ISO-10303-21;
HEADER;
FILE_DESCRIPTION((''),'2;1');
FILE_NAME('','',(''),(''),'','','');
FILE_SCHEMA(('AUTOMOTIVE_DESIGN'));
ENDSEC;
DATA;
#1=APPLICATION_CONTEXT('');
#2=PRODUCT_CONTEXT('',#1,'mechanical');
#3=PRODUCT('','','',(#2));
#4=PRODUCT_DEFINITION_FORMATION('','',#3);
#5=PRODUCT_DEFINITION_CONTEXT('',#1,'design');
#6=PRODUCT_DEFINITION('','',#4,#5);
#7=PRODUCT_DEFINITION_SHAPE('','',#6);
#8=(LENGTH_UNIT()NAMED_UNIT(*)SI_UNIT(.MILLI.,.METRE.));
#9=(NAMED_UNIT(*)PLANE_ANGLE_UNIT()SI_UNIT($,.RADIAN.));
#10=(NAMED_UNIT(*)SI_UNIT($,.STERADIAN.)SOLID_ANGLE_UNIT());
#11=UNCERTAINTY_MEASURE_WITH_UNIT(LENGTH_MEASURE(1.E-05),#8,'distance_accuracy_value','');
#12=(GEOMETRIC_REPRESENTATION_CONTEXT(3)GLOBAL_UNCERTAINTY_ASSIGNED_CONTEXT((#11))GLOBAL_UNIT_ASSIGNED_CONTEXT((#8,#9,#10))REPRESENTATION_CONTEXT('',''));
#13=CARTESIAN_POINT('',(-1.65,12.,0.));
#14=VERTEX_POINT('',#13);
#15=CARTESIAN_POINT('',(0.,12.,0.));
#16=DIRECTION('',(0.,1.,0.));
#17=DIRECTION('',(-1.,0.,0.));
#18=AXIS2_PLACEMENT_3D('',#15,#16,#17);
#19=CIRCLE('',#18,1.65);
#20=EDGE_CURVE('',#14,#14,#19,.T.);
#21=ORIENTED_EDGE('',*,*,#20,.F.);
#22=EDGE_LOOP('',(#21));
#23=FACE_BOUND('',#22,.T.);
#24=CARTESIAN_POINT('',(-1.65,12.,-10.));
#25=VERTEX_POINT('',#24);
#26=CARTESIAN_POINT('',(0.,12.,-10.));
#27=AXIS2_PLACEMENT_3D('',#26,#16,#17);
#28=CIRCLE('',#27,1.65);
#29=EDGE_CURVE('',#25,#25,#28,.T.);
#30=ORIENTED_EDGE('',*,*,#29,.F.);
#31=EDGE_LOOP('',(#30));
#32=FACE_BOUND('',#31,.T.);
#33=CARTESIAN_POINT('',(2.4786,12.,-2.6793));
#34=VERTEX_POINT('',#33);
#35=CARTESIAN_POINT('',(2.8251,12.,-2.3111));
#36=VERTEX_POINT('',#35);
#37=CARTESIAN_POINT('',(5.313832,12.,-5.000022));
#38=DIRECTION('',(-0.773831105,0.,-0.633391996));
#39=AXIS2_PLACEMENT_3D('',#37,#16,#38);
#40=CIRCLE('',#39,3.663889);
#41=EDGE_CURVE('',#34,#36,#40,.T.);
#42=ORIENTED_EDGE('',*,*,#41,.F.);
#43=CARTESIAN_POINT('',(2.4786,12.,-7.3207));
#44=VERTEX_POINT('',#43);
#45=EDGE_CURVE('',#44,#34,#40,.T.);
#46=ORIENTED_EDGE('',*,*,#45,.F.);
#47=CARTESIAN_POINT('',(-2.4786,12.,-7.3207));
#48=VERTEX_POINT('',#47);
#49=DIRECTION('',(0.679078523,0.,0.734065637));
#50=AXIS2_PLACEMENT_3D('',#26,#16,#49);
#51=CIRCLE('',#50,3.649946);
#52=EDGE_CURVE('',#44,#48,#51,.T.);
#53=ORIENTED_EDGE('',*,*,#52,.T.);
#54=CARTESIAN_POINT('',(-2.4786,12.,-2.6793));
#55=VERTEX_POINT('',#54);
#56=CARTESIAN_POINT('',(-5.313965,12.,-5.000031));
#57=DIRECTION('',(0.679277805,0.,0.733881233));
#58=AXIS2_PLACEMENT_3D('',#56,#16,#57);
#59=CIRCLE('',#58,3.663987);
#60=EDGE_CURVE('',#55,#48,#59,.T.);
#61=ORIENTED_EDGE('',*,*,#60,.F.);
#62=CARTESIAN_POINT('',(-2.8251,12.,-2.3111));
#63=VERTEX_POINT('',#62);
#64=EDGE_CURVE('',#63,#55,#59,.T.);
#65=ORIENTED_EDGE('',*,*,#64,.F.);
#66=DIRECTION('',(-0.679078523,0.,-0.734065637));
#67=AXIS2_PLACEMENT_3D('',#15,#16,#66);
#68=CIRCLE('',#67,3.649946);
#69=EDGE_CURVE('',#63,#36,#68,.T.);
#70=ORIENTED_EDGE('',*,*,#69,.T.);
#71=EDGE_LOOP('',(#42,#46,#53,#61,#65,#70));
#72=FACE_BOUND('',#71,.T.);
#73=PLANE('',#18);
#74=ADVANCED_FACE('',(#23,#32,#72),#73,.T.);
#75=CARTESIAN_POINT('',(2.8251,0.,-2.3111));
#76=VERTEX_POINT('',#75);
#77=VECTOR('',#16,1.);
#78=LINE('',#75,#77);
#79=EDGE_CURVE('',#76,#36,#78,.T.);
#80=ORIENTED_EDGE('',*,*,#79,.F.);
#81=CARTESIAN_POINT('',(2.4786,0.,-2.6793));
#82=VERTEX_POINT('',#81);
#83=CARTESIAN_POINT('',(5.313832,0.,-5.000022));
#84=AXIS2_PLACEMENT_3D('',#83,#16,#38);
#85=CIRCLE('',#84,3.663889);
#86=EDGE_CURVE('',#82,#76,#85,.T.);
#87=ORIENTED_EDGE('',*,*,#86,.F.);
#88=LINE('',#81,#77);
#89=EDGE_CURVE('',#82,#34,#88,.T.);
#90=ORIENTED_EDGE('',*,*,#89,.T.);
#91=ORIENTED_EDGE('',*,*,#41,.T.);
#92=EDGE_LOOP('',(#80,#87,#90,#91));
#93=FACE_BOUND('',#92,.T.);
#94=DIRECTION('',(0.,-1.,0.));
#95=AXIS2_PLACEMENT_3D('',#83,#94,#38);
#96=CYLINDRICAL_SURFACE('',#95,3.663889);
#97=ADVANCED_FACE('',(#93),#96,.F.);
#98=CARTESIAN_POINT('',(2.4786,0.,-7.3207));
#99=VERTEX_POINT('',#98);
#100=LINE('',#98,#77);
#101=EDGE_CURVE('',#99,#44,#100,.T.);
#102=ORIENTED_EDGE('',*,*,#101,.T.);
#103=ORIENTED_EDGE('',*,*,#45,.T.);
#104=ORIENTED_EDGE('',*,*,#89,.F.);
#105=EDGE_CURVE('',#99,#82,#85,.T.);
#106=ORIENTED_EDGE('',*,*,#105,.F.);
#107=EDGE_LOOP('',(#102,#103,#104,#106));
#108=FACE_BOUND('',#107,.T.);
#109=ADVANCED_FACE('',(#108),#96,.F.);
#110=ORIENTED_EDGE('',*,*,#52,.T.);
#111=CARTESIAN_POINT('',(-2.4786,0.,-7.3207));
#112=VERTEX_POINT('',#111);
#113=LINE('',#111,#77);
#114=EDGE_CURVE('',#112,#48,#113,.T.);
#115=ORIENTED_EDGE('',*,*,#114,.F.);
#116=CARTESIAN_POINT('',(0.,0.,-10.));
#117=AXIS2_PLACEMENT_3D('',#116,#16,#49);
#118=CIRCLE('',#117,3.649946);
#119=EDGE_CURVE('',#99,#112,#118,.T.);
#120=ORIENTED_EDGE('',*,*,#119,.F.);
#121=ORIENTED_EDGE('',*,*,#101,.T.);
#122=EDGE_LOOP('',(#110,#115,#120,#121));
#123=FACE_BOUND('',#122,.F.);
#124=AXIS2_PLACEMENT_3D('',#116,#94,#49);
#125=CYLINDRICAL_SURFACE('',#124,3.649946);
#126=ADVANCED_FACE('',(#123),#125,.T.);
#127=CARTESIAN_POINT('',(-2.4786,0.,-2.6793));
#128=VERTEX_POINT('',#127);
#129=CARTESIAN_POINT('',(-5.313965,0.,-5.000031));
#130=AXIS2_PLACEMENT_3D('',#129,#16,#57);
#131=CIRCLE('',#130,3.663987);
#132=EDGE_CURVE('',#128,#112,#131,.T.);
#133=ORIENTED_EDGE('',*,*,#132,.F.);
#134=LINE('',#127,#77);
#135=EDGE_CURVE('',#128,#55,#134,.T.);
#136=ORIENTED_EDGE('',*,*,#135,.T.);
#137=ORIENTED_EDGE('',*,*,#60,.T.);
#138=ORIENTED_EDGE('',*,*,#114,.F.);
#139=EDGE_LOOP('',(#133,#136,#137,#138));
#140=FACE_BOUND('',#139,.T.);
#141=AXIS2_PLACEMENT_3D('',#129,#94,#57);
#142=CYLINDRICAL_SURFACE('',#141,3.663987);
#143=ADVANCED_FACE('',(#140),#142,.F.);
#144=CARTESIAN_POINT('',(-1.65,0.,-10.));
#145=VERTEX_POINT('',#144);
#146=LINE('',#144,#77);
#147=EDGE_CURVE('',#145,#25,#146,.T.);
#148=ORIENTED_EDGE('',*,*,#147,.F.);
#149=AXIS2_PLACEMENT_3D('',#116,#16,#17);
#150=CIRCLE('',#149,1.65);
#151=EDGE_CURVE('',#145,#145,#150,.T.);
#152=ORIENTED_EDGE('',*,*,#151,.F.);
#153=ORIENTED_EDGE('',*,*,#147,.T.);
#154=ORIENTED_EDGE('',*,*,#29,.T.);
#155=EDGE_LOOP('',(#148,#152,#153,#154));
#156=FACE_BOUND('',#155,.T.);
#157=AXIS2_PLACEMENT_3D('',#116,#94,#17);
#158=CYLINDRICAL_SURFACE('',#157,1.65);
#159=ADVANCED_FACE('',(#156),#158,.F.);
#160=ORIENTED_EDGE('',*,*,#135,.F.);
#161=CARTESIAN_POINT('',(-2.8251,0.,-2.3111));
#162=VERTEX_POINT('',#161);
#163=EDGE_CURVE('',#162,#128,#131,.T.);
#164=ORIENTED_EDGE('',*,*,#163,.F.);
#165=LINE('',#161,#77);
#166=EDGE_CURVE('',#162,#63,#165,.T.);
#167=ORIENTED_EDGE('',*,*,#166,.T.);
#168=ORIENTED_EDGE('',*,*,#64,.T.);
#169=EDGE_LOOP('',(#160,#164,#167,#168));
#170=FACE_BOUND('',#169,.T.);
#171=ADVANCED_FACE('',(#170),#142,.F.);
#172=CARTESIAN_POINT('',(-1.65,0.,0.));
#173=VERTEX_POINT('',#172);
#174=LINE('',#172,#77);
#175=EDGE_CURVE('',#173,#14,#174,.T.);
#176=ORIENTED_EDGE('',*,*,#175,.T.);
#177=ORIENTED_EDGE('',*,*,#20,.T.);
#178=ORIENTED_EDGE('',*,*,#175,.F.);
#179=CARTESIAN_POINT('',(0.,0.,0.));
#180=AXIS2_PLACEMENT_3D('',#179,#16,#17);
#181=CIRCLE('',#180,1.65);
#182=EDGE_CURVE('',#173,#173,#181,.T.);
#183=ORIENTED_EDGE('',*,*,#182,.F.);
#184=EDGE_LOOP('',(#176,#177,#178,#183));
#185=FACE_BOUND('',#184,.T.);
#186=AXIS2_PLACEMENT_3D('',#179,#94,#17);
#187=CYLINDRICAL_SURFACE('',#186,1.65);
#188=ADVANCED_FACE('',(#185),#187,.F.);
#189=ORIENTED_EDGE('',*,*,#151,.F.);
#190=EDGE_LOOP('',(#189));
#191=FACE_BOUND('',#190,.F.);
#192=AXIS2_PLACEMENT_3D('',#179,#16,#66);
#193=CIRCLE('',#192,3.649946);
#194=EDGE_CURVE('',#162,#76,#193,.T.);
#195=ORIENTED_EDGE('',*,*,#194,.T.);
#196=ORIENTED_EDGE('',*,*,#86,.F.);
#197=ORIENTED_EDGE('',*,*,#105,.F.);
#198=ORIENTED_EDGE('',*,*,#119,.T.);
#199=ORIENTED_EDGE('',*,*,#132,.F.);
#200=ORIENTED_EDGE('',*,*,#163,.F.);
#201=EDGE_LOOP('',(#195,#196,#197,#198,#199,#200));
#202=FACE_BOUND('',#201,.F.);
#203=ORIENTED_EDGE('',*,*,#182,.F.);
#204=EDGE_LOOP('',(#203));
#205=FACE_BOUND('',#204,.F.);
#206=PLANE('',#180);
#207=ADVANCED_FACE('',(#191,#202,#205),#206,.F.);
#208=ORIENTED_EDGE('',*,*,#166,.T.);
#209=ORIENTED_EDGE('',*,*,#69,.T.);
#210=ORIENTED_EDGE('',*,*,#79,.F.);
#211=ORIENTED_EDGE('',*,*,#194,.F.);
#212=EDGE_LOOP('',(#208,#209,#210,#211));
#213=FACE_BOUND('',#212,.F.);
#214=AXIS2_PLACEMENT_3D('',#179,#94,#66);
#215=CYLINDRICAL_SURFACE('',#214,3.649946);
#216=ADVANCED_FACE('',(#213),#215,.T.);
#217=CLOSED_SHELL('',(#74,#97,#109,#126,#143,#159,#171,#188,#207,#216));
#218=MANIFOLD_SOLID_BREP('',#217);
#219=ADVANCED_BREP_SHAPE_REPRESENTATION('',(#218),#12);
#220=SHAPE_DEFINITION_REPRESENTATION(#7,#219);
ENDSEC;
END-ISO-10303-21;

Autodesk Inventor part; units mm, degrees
ref_plane "YZ Plane" through (0, 0, 0) normal (1, 0, 0) x (0, 1, 0)
ref_plane "XZ Plane" through (0, 0, 0) normal (0, 1, 0) x (-1, 0, 0)
ref_plane "XY Plane" through (0, 0, 0) normal (0, 0, 1) x (1, 0, 0)
sketch "Sketch1" plane through (0, 0, 0) normal (0, 1, 0) x (-1, 0, 0)
  circle A0 centre (0, 0) radius 1.65
  circle A1 centre (0, -10) radius 1.65
  arc A2 (-2.4786, -7.3207) -> (2.4786, -7.3207) centre (0, -10) ccw
  arc A3 (2.4786, -2.6793) -> (-2.4786, -2.6793) centre (0, 0) ccw
  arc A4 (2.8251, -2.3111) -> (2.4786, -7.3207) centre (5.3139, -5) ccw
  arc A5 (-2.4786, -7.3207) -> (-2.8251, -2.3111) centre (-5.3139, -5) ccw
  point P0 (-2.8251, -2.3111)
  dimension "d0" = 3.3
  dimension "d2" = 3.3
  dimension "d3" = 2
  dimension "d4" = 2
extrude "Extrusion1" add sketch "Sketch1" along normal blind 12 contours A5 A3 A4 A2
properties part number "extBoardSpacer"
